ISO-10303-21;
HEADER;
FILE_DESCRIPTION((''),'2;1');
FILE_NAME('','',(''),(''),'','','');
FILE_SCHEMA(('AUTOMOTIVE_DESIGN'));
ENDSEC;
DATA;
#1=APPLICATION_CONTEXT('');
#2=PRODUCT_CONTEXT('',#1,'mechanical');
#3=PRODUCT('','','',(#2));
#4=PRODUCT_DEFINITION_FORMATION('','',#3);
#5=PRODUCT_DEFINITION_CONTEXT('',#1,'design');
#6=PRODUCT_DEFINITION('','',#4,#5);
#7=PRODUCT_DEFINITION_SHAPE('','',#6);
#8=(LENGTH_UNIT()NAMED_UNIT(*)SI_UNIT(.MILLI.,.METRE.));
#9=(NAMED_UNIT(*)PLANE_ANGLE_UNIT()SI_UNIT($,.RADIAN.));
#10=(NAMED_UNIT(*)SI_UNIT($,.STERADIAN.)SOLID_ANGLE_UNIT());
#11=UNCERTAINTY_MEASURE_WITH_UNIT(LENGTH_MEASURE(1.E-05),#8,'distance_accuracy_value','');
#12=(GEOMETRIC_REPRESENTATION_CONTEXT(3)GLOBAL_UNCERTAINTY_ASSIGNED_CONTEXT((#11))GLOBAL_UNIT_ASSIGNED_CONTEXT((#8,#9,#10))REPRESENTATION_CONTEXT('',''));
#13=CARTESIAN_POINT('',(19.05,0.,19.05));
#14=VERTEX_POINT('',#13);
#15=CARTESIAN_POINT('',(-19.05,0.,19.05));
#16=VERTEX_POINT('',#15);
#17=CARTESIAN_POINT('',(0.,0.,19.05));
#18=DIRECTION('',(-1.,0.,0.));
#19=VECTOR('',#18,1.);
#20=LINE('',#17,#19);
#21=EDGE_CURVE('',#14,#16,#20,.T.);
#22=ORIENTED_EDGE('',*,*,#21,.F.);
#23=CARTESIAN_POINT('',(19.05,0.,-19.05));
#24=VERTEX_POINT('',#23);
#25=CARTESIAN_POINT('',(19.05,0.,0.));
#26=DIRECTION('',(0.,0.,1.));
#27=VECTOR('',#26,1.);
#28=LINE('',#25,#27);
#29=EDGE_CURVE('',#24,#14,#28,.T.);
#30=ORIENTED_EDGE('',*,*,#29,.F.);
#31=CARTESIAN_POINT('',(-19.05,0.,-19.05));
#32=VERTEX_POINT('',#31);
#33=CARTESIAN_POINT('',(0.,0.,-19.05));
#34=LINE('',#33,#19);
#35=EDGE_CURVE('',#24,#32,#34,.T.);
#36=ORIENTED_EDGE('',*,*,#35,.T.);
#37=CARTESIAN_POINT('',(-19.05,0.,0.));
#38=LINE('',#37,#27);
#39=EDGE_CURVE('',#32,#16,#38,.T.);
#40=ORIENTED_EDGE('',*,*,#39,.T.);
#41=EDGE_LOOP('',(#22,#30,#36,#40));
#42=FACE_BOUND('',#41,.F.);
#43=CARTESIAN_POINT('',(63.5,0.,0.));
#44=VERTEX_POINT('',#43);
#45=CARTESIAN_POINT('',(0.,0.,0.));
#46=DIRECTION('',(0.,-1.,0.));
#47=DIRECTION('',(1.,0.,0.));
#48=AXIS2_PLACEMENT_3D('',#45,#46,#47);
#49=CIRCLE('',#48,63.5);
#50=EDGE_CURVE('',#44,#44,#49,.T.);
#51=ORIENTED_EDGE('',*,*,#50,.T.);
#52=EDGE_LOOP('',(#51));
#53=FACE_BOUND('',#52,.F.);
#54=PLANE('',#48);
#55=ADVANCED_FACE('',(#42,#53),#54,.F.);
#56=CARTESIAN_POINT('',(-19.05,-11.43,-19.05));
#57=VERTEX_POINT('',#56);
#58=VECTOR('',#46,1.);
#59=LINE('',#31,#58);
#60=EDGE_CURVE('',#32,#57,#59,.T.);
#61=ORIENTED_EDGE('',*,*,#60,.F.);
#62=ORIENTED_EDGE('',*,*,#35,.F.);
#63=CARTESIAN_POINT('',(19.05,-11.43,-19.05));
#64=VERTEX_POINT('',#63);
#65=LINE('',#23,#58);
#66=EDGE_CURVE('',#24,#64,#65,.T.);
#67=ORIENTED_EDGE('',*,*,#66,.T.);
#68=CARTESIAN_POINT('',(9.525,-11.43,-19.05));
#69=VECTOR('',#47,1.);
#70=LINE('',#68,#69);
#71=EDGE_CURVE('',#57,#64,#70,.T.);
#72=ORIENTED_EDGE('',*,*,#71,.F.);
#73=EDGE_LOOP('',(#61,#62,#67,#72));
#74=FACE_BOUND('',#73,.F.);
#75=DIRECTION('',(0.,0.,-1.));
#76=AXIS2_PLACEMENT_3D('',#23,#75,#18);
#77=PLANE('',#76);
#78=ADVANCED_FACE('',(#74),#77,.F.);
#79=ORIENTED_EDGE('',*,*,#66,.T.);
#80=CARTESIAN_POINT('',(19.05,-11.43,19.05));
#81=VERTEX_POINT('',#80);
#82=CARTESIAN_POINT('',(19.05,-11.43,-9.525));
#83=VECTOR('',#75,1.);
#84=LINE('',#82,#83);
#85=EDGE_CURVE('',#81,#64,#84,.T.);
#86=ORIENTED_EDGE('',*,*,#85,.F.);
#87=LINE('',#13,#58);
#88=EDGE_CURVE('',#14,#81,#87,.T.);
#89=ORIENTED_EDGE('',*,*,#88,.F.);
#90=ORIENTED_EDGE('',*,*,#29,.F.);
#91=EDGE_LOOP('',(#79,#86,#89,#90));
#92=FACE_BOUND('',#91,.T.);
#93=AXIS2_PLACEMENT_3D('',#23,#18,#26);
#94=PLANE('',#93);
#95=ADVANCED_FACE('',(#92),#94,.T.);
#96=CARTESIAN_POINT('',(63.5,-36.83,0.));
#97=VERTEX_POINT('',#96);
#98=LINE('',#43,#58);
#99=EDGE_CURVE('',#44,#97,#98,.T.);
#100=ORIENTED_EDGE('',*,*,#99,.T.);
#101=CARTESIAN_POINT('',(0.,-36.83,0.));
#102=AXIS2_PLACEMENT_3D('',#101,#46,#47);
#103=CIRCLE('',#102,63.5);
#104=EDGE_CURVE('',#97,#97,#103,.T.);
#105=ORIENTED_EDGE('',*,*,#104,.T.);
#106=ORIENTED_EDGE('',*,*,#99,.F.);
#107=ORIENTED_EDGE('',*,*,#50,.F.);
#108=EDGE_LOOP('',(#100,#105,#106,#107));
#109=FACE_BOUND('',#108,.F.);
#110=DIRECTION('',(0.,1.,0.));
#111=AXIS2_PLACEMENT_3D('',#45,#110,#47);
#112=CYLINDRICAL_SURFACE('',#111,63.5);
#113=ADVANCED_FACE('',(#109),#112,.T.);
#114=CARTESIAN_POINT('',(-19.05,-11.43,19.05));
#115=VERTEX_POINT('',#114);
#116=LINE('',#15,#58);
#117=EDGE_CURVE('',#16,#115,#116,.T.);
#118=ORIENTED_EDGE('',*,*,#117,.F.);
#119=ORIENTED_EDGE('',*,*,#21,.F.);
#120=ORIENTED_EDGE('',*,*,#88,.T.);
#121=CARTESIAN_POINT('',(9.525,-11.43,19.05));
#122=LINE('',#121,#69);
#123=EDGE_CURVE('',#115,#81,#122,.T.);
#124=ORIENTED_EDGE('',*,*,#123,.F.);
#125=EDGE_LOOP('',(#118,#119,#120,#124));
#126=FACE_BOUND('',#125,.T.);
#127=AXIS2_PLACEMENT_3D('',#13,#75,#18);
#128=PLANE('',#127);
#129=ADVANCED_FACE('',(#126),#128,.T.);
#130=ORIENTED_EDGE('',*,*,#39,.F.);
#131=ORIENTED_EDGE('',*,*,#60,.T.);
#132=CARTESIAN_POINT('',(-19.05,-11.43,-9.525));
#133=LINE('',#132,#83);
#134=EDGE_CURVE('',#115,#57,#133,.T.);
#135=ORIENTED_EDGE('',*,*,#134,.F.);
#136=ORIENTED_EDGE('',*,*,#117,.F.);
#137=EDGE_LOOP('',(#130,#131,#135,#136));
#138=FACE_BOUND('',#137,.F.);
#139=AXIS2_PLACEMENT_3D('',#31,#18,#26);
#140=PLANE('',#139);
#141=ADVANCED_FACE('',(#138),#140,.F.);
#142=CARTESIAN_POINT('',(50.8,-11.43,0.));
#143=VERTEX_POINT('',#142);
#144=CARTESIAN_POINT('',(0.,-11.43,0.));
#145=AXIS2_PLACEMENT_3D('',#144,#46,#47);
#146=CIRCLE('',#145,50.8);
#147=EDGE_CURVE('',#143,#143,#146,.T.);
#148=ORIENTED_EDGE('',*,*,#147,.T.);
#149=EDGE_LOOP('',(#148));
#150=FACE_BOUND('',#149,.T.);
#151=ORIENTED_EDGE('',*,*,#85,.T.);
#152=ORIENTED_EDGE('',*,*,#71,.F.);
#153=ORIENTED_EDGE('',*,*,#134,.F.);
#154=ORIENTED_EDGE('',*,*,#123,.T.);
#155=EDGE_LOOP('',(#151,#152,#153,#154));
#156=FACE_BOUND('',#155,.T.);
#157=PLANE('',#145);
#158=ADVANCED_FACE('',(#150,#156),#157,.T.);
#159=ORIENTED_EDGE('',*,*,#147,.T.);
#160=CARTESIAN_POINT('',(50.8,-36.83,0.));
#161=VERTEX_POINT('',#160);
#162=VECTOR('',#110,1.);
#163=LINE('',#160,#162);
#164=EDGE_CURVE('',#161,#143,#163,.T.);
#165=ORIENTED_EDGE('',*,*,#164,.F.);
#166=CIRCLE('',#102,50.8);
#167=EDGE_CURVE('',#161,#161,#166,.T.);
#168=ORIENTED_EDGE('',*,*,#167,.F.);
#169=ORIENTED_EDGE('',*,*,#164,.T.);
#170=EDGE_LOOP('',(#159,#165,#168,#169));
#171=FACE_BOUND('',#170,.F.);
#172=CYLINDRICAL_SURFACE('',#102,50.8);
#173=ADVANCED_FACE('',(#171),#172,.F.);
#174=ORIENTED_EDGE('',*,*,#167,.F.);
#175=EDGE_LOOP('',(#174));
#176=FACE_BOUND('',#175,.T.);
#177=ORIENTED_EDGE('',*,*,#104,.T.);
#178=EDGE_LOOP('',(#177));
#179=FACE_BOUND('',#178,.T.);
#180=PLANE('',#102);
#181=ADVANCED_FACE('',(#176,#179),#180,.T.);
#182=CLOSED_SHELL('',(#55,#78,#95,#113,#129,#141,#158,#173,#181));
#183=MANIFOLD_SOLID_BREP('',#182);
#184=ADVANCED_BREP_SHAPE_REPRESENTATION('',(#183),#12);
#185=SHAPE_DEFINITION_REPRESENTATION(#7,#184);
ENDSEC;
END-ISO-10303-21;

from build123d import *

# Parameters (mm, degrees)
F0_R     = 63.5
F1_DEPTH = 36.83
F2_R     = 50.8
F3_DEPTH = 25.4
F4_W     = 38.1
F4_H     = 38.1
F5_DEPTH = 25.4


with BuildPart() as f1:
    # F0 (on Front) → F1 (new body)
    with BuildSketch(Plane.XZ):
        Circle(F0_R)
    extrude(amount=F1_DEPTH)

    # F2 (on face) → F3 (cut)
    with BuildSketch(Plane.XZ.offset(36.83)):
        Circle(F2_R)
    extrude(amount=-F3_DEPTH, mode=Mode.SUBTRACT)

    # F4 (on face) → F5 (cut)
    with BuildSketch(Plane(origin=(0, 0, 0), x_dir=(-1, 0, 0), z_dir=(0, 1, 0))):
        Rectangle(F4_W, F4_H)
    extrude(amount=-F5_DEPTH, mode=Mode.SUBTRACT)


solid = f1.part
